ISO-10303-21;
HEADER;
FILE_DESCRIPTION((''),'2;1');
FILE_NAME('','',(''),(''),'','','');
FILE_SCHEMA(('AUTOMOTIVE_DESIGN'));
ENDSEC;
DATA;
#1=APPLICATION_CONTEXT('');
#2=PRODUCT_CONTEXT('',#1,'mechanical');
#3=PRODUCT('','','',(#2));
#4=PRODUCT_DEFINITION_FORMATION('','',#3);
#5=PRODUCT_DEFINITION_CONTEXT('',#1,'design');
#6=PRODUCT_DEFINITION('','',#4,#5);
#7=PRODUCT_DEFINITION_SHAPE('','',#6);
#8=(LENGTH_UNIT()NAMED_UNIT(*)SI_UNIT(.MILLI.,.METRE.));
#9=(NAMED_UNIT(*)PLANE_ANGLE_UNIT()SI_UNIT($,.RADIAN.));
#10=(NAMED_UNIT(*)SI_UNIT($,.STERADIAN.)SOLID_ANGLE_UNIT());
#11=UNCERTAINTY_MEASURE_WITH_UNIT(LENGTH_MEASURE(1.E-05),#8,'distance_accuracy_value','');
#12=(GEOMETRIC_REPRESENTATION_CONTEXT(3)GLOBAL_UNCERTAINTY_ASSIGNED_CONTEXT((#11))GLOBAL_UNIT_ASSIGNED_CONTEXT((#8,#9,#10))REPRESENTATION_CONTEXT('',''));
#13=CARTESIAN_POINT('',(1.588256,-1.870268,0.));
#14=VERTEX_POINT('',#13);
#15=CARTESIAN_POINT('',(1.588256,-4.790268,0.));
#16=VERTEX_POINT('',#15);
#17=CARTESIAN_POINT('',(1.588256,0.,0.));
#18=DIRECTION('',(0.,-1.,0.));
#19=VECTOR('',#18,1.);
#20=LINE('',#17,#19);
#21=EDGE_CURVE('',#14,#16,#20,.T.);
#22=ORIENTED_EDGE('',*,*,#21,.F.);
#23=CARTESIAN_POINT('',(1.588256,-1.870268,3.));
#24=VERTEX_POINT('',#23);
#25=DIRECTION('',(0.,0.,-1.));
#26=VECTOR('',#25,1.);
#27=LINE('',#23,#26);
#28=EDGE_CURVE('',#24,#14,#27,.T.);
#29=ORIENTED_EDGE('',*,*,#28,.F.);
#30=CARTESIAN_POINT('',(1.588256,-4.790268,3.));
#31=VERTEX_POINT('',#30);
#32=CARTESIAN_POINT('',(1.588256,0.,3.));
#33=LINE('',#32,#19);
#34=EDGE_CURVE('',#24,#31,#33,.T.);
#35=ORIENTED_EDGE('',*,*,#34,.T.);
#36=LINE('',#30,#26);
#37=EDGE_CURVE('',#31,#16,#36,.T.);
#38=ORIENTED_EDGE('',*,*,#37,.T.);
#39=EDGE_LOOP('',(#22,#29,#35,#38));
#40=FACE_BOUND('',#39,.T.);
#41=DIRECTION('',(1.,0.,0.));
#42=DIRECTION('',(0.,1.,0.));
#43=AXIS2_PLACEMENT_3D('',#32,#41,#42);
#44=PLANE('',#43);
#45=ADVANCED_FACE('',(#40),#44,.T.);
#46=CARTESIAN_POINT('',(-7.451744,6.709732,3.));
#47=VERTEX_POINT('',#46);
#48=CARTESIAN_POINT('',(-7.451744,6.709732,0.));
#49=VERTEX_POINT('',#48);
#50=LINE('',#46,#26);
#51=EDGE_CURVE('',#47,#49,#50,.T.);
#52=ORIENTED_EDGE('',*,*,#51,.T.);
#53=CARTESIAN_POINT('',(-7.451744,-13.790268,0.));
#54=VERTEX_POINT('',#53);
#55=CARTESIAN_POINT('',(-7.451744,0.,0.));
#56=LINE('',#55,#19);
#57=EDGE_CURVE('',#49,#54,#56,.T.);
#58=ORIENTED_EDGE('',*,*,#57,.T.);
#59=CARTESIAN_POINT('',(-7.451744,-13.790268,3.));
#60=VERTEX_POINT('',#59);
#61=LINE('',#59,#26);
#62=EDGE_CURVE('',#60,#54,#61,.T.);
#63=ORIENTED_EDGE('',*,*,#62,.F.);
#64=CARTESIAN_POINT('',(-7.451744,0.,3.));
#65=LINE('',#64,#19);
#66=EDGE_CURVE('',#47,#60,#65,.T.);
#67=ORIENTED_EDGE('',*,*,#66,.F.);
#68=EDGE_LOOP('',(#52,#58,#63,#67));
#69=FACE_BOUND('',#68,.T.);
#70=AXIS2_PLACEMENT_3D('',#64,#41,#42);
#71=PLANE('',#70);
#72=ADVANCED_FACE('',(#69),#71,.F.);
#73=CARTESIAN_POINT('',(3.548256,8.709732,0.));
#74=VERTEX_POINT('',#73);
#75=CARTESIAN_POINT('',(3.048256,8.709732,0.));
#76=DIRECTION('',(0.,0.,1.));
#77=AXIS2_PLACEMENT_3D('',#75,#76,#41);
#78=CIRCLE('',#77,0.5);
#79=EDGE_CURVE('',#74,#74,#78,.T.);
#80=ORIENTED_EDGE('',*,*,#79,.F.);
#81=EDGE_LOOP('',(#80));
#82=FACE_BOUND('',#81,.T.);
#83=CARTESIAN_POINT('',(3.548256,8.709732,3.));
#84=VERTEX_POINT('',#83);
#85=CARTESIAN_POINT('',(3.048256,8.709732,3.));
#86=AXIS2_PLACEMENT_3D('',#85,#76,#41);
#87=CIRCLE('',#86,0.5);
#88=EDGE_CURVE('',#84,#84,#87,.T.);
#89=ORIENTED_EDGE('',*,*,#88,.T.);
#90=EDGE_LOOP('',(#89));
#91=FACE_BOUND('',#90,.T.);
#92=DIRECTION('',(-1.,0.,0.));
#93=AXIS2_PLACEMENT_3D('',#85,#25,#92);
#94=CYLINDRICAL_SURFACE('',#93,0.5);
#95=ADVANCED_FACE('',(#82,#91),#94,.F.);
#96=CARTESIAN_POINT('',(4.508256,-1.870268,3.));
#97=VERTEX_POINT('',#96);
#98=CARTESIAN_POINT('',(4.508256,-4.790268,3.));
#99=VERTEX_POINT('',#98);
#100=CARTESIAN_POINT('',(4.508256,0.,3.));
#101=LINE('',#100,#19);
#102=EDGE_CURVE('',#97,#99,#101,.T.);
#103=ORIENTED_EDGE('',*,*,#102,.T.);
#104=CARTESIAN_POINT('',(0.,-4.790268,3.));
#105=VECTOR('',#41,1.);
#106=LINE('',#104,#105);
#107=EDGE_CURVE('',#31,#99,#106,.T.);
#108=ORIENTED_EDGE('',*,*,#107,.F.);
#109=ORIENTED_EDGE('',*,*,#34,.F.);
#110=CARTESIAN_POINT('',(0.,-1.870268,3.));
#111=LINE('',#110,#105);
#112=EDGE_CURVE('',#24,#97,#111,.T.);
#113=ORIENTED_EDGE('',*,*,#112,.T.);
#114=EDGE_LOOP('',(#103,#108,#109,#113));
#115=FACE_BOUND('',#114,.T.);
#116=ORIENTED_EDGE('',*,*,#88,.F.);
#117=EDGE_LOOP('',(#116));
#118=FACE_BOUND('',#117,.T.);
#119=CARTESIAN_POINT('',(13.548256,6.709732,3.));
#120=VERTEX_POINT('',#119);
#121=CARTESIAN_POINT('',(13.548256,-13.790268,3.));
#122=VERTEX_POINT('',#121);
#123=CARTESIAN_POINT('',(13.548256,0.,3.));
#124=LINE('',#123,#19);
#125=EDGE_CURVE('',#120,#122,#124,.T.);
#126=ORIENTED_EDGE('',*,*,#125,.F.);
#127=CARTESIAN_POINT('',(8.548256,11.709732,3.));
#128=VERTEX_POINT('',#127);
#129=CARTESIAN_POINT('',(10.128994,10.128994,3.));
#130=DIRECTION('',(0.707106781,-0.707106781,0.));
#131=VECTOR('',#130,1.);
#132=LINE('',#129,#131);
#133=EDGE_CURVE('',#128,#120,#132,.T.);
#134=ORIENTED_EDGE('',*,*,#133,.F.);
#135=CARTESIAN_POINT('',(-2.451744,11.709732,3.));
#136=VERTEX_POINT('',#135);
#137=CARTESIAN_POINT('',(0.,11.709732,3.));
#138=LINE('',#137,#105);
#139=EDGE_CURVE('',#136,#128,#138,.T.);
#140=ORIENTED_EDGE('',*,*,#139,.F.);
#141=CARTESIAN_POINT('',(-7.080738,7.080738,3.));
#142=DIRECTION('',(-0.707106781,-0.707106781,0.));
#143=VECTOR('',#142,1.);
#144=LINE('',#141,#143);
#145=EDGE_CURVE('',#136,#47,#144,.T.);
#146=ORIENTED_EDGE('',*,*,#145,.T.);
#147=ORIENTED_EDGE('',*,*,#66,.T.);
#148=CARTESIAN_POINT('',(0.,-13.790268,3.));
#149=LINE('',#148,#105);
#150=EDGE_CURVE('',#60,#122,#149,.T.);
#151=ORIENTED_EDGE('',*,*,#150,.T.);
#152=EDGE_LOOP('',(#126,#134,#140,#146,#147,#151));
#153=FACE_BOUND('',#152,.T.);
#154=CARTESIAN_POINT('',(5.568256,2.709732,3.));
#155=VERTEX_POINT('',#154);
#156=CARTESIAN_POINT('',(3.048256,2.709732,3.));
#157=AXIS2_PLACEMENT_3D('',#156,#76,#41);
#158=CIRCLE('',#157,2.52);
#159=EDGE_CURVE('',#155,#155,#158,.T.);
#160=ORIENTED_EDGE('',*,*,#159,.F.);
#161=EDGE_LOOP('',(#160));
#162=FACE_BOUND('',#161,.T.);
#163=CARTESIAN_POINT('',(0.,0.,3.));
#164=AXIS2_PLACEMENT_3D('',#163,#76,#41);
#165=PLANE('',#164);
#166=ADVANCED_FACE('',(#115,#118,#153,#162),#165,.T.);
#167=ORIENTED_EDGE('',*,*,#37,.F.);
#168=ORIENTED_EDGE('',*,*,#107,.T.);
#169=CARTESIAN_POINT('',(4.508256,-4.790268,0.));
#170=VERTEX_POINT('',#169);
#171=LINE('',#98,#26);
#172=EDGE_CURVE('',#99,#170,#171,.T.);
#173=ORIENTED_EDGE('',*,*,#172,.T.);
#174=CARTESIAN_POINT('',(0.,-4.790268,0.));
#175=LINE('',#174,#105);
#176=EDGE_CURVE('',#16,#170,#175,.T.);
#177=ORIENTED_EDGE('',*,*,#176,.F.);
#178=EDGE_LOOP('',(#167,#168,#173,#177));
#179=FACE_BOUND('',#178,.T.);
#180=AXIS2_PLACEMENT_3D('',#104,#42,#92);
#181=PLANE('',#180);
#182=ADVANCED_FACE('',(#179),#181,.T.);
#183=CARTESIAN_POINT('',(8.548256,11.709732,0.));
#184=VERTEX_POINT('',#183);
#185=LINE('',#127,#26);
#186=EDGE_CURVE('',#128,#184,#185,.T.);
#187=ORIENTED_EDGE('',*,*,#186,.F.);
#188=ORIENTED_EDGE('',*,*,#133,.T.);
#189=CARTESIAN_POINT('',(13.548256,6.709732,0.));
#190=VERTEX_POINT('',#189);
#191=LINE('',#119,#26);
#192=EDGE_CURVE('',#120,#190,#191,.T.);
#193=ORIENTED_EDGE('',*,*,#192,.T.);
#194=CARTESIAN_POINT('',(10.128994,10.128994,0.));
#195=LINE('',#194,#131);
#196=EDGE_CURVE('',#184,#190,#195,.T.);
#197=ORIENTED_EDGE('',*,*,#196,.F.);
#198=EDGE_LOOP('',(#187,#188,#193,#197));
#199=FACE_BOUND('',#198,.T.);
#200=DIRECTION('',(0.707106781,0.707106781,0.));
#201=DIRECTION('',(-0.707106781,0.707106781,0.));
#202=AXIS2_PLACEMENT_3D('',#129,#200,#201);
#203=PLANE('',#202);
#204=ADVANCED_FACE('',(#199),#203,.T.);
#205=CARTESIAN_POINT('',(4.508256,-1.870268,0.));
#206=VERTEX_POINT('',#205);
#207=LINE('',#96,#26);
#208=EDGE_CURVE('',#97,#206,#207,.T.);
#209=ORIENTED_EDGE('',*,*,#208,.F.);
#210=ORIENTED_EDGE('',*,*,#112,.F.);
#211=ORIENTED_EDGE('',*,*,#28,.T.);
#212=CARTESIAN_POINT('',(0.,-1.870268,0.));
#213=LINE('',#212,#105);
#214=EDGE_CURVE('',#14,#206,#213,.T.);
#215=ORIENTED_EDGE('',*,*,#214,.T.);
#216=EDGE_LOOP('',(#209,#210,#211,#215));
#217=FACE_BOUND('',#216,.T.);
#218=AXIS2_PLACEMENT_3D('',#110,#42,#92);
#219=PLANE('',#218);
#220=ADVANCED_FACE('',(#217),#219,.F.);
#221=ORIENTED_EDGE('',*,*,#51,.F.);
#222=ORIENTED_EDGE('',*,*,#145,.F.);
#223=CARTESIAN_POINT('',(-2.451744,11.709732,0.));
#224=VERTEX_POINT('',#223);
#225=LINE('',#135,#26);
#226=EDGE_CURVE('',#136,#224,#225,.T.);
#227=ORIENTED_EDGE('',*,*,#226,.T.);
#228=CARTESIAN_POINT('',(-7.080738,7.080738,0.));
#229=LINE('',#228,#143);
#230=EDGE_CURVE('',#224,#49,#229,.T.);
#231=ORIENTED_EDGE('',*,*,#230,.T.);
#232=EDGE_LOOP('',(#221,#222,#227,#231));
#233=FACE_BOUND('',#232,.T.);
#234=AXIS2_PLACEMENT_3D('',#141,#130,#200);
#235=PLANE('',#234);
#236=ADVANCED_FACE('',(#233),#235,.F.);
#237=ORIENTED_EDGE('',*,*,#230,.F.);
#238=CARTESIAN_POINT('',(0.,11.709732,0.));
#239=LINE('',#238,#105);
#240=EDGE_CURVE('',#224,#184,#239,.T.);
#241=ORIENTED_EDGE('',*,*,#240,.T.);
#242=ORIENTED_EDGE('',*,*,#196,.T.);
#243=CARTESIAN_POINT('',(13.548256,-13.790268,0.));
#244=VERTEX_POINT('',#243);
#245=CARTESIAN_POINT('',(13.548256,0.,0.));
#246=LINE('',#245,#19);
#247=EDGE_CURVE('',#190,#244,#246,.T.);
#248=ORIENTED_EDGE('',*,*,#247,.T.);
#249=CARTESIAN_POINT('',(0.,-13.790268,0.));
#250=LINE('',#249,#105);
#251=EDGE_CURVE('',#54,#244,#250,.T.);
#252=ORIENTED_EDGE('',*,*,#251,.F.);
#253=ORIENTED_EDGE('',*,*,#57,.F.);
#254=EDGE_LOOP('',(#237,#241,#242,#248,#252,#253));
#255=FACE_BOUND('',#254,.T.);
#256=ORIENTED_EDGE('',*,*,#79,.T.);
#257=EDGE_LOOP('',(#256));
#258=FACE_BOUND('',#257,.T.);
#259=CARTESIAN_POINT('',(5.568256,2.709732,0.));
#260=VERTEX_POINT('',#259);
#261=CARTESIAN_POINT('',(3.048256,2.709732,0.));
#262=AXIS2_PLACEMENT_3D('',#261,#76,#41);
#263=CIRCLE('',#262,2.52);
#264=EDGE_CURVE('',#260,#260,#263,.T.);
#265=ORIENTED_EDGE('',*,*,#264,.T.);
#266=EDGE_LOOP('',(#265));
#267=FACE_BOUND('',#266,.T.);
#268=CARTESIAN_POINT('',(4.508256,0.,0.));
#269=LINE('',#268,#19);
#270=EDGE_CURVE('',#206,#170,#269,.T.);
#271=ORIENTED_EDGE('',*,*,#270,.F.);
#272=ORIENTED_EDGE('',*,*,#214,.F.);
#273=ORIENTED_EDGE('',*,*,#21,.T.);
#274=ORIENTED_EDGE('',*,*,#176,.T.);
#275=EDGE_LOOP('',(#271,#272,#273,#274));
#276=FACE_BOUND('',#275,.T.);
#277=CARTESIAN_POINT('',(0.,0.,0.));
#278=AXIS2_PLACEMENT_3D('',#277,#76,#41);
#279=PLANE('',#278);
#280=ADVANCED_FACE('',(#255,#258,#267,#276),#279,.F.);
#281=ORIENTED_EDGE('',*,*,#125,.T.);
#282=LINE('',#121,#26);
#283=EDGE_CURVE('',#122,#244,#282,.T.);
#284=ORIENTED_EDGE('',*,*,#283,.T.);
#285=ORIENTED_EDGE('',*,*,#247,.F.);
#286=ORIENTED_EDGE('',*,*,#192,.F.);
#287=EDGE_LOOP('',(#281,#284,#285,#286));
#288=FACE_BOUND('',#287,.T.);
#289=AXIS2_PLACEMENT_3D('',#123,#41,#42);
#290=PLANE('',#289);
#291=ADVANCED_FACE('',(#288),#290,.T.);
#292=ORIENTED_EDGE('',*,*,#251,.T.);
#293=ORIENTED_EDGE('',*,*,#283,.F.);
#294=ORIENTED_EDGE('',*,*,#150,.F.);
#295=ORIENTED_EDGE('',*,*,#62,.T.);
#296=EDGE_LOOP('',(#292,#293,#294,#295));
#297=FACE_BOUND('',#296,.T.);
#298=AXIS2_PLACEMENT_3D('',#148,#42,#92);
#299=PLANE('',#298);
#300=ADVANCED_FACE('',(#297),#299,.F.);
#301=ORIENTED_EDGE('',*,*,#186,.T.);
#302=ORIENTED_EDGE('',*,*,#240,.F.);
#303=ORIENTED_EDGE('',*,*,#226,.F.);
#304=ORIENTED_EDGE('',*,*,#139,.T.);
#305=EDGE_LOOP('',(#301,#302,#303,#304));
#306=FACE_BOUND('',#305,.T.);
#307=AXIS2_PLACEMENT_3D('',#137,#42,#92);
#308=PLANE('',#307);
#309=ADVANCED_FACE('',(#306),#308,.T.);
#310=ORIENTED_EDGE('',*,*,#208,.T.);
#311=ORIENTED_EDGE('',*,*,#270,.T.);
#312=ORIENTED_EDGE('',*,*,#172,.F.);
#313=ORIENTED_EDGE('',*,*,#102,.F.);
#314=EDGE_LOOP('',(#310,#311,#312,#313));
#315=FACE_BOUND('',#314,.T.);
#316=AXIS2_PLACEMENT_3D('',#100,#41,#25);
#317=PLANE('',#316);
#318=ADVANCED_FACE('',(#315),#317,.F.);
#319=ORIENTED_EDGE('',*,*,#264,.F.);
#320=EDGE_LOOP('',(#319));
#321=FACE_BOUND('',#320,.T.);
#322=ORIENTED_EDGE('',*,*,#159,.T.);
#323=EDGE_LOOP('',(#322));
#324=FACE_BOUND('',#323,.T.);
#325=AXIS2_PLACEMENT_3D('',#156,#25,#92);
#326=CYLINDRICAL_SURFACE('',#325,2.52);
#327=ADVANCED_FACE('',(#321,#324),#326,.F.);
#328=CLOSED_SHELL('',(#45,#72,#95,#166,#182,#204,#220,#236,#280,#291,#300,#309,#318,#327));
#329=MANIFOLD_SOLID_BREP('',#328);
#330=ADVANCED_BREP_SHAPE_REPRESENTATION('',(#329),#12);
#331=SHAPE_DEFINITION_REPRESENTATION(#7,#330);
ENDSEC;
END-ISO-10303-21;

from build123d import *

# Parameters (mm, degrees)
SKETCH1_W           = 2.92
SKETCH1_H           = 2.92
SKETCH1_R           = 2.52
SKETCH1_R_2         = 0.5
BOSS_EXTRUDE1_DEPTH = 3


with BuildPart() as part:
    # Sketch1 → Boss-Extrude1 (new body)
    with BuildSketch(Plane.XY):
        Polygon((13.5482559, 6.709731544), (8.5482559, 11.709731544), (-2.4517441, 11.709731544), (-7.4517441, 6.709731544), (-7.4517441, -13.790268456), (13.5482559, -13.790268456), align=None)
        with Locations((3.0482559, -3.330268456)):
            Rectangle(SKETCH1_W, SKETCH1_H, mode=Mode.SUBTRACT)
        with Locations((3.0482559, 2.709731544)):
            Circle(SKETCH1_R, mode=Mode.SUBTRACT)
        with Locations((3.0482559, 8.709731544)):
            Circle(SKETCH1_R_2, mode=Mode.SUBTRACT)
    extrude(amount=BOSS_EXTRUDE1_DEPTH)


solid = part.part
